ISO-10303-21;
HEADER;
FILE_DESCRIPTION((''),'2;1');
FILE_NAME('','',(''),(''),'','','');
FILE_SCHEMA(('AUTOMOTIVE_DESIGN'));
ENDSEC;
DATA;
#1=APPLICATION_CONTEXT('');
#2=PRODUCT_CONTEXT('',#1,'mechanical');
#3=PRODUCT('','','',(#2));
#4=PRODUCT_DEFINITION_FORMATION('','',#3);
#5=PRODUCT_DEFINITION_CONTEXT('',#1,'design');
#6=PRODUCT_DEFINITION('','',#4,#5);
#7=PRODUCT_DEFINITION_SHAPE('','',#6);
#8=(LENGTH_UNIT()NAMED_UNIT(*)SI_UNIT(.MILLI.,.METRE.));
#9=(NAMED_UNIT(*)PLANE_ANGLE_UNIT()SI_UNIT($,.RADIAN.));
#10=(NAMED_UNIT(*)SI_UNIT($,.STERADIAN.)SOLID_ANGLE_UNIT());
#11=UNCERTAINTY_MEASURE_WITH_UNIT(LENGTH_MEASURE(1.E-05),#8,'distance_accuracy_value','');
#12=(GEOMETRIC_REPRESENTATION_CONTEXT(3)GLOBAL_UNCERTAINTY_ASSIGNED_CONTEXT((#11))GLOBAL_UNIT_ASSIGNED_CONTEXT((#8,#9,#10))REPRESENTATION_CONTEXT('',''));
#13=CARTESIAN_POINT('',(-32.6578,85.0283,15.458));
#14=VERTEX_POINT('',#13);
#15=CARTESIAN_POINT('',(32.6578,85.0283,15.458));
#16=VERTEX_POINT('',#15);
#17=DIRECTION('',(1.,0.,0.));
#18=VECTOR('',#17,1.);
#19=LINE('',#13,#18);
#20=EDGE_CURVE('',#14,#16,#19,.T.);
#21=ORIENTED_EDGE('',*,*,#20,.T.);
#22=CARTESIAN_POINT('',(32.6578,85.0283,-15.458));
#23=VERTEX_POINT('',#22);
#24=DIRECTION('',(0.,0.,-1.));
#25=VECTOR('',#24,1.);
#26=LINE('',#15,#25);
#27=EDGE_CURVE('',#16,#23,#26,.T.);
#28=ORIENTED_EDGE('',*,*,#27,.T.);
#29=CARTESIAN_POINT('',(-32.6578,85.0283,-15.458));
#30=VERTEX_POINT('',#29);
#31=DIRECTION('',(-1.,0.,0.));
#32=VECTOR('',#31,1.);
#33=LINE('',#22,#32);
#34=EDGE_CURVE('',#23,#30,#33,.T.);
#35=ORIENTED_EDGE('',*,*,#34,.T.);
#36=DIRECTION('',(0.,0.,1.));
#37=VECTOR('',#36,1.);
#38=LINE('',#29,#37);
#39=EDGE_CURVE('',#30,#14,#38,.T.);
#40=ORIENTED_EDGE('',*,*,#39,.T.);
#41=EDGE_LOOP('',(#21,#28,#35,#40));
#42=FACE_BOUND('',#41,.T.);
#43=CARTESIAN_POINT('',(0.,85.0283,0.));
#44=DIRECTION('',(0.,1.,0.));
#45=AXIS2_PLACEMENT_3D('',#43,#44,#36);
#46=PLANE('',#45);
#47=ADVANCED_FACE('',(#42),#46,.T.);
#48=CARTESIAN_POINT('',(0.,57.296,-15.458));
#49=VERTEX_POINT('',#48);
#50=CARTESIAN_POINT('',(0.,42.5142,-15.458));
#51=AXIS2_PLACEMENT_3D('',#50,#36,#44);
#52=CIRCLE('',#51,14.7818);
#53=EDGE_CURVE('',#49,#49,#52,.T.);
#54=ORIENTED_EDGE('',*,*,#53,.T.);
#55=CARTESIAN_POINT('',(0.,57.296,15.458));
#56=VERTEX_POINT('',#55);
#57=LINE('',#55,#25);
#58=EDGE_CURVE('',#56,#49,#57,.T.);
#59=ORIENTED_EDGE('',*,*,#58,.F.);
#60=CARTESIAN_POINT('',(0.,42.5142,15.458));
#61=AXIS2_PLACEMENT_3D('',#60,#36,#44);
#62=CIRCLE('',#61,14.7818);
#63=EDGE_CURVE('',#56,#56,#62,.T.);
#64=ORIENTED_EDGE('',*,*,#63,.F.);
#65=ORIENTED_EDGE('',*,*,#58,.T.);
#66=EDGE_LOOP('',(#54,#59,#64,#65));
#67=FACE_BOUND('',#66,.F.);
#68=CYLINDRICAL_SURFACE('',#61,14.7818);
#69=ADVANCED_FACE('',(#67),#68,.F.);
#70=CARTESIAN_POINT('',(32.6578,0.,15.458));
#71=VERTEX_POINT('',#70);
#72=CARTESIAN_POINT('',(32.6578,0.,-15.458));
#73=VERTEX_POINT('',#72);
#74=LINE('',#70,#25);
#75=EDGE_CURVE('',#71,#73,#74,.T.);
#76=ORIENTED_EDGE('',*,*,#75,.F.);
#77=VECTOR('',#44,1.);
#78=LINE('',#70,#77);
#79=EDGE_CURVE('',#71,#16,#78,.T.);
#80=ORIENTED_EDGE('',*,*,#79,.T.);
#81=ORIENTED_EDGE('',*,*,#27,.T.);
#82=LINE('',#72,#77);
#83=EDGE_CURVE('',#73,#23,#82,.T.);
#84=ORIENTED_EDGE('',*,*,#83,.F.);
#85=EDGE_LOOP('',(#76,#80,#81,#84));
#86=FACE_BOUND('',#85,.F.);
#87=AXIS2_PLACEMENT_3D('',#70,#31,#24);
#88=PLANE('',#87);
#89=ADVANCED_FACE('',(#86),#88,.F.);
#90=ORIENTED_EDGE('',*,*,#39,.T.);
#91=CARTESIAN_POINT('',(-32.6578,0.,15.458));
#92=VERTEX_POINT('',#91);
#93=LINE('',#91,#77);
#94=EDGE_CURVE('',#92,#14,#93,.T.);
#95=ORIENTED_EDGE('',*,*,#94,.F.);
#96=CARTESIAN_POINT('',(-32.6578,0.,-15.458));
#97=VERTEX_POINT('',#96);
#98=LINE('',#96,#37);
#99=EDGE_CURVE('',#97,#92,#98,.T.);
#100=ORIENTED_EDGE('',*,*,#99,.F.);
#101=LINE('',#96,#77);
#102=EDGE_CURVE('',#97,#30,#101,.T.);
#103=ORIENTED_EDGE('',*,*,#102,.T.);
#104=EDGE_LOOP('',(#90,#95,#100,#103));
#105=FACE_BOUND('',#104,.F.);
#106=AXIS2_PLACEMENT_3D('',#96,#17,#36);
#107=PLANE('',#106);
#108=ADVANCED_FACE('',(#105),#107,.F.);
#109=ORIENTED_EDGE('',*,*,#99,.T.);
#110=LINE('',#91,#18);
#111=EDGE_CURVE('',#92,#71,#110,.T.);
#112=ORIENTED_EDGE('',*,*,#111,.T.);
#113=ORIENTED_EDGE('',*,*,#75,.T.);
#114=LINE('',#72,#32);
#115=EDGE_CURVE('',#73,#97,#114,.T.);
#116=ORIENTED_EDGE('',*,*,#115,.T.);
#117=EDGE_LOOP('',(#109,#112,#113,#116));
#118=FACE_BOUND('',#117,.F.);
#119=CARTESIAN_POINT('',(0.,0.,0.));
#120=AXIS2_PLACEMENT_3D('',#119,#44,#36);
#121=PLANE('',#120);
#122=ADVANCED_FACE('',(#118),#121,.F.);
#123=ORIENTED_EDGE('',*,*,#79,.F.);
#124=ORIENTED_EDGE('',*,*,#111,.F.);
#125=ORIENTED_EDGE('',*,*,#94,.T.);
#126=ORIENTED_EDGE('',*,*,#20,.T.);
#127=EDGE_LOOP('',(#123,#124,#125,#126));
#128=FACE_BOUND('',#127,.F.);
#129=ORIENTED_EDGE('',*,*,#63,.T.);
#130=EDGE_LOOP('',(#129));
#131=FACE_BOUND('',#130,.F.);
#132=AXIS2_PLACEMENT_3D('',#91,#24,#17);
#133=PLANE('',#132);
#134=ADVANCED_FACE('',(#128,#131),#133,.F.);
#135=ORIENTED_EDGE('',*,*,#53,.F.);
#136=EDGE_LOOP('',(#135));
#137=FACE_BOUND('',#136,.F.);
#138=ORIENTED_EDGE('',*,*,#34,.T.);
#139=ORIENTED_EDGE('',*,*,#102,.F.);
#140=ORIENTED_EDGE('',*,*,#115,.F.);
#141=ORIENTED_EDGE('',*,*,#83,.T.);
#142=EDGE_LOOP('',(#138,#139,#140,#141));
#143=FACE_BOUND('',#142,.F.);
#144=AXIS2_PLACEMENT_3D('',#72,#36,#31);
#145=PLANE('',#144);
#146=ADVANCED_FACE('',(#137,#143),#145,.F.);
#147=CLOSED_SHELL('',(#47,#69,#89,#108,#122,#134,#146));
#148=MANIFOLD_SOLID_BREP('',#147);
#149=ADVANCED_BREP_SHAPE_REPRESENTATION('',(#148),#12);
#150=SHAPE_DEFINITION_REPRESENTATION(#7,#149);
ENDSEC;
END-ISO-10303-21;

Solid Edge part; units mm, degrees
sketch "Sketch1" plane through (0, 0, 0) normal (0, -1, 0) x (1, 0, 0)
  line L0 (-32.6578, 15.458) -> (32.6578, 15.458)
  line L1 (32.6578, 15.458) -> (32.6578, -15.458)
  line L2 (32.6578, -15.458) -> (-32.6578, -15.458)
  line L3 (-32.6578, -15.458) -> (-32.6578, 15.458)
extrude "Protrusion1" add sketch "Sketch1" against normal blind 85.0283
sketch "Sketch2" plane through (0, 42.5142, 15.458) normal (0, 0, 1) x (0, 1, 0)
  circle A0 centre (0, 0) radius 14.7818
extrude "Cutout1" cut sketch "Sketch2" against normal up to next
